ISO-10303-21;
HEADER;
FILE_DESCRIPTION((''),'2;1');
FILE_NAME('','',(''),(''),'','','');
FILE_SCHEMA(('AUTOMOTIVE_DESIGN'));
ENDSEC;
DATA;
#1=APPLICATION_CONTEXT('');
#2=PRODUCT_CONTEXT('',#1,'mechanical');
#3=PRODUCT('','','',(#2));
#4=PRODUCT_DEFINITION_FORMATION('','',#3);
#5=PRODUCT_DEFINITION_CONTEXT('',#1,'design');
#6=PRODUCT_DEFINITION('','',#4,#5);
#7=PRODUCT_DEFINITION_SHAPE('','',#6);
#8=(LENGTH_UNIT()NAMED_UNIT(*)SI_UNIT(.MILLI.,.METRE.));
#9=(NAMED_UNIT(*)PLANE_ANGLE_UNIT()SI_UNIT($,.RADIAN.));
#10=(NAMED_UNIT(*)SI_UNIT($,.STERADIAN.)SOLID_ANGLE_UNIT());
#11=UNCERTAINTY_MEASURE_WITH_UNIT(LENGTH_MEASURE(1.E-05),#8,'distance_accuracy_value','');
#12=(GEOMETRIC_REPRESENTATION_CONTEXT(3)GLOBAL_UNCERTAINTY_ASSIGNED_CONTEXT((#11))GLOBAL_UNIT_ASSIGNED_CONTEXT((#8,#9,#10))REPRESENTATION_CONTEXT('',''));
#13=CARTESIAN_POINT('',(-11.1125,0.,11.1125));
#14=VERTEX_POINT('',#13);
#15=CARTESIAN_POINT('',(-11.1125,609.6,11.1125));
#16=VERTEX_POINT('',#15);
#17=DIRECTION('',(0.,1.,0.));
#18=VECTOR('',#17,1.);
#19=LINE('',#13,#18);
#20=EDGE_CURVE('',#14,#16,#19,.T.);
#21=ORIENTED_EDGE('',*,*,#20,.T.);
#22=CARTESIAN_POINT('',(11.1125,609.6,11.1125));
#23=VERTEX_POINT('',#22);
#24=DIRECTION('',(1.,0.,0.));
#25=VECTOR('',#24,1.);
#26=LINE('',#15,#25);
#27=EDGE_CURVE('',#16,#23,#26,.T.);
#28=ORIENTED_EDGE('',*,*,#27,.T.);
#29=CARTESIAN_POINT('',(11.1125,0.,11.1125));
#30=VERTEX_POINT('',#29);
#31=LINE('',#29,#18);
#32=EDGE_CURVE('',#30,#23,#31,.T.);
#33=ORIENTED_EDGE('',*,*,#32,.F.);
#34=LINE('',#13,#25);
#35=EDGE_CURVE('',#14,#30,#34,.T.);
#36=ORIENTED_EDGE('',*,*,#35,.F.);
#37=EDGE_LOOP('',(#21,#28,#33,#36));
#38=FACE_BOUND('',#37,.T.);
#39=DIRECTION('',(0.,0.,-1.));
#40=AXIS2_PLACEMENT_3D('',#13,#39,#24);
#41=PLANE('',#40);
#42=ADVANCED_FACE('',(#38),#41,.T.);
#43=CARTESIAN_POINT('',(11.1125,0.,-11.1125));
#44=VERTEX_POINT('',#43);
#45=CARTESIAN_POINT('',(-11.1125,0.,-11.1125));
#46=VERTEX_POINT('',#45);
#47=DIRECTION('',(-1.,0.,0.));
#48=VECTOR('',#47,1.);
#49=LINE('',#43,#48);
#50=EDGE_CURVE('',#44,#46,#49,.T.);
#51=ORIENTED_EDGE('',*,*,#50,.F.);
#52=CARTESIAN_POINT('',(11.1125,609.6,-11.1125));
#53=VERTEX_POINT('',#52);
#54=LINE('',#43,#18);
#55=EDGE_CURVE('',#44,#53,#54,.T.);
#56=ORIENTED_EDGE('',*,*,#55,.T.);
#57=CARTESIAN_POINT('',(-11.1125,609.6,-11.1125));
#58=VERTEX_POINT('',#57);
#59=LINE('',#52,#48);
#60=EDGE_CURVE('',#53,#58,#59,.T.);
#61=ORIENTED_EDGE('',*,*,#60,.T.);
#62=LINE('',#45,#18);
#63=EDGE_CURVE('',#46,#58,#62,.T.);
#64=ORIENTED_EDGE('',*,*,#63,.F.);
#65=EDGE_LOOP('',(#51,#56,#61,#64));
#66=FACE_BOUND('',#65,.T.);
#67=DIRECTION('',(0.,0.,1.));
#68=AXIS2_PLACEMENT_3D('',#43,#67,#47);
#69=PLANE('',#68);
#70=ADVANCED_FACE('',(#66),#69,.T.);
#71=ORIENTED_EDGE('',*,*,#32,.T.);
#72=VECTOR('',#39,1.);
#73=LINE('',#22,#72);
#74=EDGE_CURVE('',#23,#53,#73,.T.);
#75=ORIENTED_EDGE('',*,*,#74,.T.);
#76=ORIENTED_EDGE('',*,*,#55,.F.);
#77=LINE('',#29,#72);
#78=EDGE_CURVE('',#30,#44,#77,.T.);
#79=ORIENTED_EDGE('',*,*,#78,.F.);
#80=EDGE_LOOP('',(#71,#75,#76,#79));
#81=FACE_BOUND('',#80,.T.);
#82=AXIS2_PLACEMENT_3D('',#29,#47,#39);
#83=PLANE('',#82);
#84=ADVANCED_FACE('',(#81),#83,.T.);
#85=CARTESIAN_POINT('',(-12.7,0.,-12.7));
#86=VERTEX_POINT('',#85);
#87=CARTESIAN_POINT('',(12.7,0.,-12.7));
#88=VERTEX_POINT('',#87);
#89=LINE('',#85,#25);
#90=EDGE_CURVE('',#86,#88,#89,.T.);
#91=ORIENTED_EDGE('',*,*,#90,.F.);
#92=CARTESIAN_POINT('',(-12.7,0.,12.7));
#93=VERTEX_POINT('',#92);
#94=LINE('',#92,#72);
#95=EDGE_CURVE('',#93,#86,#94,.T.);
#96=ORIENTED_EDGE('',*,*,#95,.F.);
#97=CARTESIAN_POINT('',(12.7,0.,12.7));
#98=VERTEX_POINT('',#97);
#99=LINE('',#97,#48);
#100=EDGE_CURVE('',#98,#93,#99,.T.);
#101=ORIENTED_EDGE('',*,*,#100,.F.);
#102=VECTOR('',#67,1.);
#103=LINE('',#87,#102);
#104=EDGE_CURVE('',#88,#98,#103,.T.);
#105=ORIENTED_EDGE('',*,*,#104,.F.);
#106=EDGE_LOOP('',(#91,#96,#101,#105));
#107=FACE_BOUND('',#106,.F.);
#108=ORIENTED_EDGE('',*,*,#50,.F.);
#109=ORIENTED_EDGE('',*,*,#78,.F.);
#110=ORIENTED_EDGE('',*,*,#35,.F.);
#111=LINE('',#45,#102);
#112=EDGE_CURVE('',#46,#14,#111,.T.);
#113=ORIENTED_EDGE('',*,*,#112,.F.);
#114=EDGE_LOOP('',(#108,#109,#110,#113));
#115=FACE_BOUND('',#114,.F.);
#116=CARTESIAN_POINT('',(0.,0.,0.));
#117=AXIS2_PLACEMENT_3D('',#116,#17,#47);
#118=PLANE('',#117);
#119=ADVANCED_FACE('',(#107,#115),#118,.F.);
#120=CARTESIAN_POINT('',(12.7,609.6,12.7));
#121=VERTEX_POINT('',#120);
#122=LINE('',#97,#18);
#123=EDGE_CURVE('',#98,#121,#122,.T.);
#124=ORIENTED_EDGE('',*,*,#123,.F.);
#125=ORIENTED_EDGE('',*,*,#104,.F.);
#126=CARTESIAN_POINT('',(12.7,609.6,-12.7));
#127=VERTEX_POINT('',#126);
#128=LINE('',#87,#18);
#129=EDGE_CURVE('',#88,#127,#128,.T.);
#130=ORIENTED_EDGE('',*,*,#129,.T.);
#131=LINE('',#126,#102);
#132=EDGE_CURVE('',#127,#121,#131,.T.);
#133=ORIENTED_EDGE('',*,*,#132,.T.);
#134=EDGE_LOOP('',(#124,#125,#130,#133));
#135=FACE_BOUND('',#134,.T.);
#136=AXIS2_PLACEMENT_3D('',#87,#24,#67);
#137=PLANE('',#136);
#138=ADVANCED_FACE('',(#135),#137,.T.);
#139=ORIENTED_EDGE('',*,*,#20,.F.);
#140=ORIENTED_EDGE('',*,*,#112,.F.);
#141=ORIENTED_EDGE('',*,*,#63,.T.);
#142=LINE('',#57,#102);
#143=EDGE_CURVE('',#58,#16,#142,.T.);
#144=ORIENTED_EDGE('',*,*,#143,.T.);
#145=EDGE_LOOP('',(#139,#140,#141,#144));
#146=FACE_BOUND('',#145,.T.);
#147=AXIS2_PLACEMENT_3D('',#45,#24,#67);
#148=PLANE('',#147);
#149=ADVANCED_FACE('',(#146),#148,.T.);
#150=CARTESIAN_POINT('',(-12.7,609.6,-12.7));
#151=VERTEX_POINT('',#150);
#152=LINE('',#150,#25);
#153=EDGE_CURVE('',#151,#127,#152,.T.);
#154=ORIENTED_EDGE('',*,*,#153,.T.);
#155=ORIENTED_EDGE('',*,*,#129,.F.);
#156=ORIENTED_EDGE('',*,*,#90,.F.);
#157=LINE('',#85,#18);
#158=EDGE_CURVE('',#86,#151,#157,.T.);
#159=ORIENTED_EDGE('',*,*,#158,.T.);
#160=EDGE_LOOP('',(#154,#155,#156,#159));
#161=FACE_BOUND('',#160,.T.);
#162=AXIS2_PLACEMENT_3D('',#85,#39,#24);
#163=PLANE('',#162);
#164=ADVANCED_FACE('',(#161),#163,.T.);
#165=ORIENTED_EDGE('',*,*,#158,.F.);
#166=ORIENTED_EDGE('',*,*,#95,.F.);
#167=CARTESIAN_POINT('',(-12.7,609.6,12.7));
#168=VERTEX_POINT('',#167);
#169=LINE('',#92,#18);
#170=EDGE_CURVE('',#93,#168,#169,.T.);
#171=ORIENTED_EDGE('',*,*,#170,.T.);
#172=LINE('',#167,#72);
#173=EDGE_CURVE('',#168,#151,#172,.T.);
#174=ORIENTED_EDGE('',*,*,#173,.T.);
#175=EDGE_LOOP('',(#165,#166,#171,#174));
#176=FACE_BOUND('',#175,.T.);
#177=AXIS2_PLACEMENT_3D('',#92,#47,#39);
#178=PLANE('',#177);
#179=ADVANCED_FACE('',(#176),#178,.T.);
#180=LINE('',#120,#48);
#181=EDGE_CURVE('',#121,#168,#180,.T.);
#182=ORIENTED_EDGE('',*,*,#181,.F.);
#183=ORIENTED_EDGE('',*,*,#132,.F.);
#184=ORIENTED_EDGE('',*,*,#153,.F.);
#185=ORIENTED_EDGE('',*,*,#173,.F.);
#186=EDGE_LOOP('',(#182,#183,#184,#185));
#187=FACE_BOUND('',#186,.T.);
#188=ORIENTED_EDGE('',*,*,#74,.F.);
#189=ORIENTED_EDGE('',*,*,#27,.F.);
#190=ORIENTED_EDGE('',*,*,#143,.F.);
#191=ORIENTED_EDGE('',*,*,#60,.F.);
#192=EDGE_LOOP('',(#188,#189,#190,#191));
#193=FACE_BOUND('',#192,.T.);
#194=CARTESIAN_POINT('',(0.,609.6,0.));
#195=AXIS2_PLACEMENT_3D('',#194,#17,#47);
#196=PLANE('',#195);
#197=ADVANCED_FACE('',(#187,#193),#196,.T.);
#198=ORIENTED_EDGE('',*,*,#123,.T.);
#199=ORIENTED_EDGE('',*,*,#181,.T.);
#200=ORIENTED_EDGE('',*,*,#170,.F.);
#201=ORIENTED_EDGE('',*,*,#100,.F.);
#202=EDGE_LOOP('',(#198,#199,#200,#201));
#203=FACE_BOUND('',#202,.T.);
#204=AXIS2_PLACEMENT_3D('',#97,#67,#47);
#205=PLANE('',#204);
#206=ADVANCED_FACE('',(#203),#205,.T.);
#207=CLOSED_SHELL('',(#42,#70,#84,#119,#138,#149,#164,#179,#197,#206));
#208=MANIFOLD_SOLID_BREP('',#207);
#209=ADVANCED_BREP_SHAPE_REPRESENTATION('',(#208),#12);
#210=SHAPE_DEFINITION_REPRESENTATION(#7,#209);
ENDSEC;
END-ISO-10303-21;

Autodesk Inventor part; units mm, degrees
ref_plane "YZ Plane" through (0, 0, 0) normal (1, 0, 0) x (0, 1, 0)
ref_plane "XZ Plane" through (0, 0, 0) normal (0, 1, 0) x (-1, 0, 0)
ref_plane "XY Plane" through (0, 0, 0) normal (0, 0, 1) x (1, 0, 0)
sketch "Sketch1" plane through (0, 0, 0) normal (0, 1, 0) x (-1, 0, 0)
  point P0 (0, 0)
sketch "Sketch2" plane through (0, 0, 0) normal (0, 1, 0) x (-1, 0, 0)
  line L0 (12.7, 12.7) -> (12.7, -12.7)
  line L1 (12.7, -12.7) -> (-12.7, -12.7)
  line L2 (-12.7, -12.7) -> (-12.7, 12.7)
  line L3 (-12.7, 12.7) -> (12.7, 12.7)
  line L4 (12.7, 12.7) -> (-12.7, -12.7) construction
  line L5 (12.7, -12.7) -> (-12.7, 12.7) construction
  line L6 (-11.1125, 11.1125) -> (-11.1125, -11.1125)
  line L7 (-11.1125, -11.1125) -> (11.1125, -11.1125)
  line L8 (11.1125, -11.1125) -> (11.1125, 11.1125)
  line L9 (11.1125, 11.1125) -> (-11.1125, 11.1125)
  line L10 (-11.1125, 11.1125) -> (11.1125, -11.1125) construction
  line L11 (-11.1125, -11.1125) -> (11.1125, 11.1125) construction
  point P0 (0, 0)
  dimension "d0" = 25.4
  dimension "d1" = 25.4
  dimension "d2" = 1.5875
  dimension "d3" = 1.5875
extrude "Extrusion1" add sketch "Sketch2" along normal blind 609.6
properties part number "60cmSteelTube" material "Aluminum 6061"
